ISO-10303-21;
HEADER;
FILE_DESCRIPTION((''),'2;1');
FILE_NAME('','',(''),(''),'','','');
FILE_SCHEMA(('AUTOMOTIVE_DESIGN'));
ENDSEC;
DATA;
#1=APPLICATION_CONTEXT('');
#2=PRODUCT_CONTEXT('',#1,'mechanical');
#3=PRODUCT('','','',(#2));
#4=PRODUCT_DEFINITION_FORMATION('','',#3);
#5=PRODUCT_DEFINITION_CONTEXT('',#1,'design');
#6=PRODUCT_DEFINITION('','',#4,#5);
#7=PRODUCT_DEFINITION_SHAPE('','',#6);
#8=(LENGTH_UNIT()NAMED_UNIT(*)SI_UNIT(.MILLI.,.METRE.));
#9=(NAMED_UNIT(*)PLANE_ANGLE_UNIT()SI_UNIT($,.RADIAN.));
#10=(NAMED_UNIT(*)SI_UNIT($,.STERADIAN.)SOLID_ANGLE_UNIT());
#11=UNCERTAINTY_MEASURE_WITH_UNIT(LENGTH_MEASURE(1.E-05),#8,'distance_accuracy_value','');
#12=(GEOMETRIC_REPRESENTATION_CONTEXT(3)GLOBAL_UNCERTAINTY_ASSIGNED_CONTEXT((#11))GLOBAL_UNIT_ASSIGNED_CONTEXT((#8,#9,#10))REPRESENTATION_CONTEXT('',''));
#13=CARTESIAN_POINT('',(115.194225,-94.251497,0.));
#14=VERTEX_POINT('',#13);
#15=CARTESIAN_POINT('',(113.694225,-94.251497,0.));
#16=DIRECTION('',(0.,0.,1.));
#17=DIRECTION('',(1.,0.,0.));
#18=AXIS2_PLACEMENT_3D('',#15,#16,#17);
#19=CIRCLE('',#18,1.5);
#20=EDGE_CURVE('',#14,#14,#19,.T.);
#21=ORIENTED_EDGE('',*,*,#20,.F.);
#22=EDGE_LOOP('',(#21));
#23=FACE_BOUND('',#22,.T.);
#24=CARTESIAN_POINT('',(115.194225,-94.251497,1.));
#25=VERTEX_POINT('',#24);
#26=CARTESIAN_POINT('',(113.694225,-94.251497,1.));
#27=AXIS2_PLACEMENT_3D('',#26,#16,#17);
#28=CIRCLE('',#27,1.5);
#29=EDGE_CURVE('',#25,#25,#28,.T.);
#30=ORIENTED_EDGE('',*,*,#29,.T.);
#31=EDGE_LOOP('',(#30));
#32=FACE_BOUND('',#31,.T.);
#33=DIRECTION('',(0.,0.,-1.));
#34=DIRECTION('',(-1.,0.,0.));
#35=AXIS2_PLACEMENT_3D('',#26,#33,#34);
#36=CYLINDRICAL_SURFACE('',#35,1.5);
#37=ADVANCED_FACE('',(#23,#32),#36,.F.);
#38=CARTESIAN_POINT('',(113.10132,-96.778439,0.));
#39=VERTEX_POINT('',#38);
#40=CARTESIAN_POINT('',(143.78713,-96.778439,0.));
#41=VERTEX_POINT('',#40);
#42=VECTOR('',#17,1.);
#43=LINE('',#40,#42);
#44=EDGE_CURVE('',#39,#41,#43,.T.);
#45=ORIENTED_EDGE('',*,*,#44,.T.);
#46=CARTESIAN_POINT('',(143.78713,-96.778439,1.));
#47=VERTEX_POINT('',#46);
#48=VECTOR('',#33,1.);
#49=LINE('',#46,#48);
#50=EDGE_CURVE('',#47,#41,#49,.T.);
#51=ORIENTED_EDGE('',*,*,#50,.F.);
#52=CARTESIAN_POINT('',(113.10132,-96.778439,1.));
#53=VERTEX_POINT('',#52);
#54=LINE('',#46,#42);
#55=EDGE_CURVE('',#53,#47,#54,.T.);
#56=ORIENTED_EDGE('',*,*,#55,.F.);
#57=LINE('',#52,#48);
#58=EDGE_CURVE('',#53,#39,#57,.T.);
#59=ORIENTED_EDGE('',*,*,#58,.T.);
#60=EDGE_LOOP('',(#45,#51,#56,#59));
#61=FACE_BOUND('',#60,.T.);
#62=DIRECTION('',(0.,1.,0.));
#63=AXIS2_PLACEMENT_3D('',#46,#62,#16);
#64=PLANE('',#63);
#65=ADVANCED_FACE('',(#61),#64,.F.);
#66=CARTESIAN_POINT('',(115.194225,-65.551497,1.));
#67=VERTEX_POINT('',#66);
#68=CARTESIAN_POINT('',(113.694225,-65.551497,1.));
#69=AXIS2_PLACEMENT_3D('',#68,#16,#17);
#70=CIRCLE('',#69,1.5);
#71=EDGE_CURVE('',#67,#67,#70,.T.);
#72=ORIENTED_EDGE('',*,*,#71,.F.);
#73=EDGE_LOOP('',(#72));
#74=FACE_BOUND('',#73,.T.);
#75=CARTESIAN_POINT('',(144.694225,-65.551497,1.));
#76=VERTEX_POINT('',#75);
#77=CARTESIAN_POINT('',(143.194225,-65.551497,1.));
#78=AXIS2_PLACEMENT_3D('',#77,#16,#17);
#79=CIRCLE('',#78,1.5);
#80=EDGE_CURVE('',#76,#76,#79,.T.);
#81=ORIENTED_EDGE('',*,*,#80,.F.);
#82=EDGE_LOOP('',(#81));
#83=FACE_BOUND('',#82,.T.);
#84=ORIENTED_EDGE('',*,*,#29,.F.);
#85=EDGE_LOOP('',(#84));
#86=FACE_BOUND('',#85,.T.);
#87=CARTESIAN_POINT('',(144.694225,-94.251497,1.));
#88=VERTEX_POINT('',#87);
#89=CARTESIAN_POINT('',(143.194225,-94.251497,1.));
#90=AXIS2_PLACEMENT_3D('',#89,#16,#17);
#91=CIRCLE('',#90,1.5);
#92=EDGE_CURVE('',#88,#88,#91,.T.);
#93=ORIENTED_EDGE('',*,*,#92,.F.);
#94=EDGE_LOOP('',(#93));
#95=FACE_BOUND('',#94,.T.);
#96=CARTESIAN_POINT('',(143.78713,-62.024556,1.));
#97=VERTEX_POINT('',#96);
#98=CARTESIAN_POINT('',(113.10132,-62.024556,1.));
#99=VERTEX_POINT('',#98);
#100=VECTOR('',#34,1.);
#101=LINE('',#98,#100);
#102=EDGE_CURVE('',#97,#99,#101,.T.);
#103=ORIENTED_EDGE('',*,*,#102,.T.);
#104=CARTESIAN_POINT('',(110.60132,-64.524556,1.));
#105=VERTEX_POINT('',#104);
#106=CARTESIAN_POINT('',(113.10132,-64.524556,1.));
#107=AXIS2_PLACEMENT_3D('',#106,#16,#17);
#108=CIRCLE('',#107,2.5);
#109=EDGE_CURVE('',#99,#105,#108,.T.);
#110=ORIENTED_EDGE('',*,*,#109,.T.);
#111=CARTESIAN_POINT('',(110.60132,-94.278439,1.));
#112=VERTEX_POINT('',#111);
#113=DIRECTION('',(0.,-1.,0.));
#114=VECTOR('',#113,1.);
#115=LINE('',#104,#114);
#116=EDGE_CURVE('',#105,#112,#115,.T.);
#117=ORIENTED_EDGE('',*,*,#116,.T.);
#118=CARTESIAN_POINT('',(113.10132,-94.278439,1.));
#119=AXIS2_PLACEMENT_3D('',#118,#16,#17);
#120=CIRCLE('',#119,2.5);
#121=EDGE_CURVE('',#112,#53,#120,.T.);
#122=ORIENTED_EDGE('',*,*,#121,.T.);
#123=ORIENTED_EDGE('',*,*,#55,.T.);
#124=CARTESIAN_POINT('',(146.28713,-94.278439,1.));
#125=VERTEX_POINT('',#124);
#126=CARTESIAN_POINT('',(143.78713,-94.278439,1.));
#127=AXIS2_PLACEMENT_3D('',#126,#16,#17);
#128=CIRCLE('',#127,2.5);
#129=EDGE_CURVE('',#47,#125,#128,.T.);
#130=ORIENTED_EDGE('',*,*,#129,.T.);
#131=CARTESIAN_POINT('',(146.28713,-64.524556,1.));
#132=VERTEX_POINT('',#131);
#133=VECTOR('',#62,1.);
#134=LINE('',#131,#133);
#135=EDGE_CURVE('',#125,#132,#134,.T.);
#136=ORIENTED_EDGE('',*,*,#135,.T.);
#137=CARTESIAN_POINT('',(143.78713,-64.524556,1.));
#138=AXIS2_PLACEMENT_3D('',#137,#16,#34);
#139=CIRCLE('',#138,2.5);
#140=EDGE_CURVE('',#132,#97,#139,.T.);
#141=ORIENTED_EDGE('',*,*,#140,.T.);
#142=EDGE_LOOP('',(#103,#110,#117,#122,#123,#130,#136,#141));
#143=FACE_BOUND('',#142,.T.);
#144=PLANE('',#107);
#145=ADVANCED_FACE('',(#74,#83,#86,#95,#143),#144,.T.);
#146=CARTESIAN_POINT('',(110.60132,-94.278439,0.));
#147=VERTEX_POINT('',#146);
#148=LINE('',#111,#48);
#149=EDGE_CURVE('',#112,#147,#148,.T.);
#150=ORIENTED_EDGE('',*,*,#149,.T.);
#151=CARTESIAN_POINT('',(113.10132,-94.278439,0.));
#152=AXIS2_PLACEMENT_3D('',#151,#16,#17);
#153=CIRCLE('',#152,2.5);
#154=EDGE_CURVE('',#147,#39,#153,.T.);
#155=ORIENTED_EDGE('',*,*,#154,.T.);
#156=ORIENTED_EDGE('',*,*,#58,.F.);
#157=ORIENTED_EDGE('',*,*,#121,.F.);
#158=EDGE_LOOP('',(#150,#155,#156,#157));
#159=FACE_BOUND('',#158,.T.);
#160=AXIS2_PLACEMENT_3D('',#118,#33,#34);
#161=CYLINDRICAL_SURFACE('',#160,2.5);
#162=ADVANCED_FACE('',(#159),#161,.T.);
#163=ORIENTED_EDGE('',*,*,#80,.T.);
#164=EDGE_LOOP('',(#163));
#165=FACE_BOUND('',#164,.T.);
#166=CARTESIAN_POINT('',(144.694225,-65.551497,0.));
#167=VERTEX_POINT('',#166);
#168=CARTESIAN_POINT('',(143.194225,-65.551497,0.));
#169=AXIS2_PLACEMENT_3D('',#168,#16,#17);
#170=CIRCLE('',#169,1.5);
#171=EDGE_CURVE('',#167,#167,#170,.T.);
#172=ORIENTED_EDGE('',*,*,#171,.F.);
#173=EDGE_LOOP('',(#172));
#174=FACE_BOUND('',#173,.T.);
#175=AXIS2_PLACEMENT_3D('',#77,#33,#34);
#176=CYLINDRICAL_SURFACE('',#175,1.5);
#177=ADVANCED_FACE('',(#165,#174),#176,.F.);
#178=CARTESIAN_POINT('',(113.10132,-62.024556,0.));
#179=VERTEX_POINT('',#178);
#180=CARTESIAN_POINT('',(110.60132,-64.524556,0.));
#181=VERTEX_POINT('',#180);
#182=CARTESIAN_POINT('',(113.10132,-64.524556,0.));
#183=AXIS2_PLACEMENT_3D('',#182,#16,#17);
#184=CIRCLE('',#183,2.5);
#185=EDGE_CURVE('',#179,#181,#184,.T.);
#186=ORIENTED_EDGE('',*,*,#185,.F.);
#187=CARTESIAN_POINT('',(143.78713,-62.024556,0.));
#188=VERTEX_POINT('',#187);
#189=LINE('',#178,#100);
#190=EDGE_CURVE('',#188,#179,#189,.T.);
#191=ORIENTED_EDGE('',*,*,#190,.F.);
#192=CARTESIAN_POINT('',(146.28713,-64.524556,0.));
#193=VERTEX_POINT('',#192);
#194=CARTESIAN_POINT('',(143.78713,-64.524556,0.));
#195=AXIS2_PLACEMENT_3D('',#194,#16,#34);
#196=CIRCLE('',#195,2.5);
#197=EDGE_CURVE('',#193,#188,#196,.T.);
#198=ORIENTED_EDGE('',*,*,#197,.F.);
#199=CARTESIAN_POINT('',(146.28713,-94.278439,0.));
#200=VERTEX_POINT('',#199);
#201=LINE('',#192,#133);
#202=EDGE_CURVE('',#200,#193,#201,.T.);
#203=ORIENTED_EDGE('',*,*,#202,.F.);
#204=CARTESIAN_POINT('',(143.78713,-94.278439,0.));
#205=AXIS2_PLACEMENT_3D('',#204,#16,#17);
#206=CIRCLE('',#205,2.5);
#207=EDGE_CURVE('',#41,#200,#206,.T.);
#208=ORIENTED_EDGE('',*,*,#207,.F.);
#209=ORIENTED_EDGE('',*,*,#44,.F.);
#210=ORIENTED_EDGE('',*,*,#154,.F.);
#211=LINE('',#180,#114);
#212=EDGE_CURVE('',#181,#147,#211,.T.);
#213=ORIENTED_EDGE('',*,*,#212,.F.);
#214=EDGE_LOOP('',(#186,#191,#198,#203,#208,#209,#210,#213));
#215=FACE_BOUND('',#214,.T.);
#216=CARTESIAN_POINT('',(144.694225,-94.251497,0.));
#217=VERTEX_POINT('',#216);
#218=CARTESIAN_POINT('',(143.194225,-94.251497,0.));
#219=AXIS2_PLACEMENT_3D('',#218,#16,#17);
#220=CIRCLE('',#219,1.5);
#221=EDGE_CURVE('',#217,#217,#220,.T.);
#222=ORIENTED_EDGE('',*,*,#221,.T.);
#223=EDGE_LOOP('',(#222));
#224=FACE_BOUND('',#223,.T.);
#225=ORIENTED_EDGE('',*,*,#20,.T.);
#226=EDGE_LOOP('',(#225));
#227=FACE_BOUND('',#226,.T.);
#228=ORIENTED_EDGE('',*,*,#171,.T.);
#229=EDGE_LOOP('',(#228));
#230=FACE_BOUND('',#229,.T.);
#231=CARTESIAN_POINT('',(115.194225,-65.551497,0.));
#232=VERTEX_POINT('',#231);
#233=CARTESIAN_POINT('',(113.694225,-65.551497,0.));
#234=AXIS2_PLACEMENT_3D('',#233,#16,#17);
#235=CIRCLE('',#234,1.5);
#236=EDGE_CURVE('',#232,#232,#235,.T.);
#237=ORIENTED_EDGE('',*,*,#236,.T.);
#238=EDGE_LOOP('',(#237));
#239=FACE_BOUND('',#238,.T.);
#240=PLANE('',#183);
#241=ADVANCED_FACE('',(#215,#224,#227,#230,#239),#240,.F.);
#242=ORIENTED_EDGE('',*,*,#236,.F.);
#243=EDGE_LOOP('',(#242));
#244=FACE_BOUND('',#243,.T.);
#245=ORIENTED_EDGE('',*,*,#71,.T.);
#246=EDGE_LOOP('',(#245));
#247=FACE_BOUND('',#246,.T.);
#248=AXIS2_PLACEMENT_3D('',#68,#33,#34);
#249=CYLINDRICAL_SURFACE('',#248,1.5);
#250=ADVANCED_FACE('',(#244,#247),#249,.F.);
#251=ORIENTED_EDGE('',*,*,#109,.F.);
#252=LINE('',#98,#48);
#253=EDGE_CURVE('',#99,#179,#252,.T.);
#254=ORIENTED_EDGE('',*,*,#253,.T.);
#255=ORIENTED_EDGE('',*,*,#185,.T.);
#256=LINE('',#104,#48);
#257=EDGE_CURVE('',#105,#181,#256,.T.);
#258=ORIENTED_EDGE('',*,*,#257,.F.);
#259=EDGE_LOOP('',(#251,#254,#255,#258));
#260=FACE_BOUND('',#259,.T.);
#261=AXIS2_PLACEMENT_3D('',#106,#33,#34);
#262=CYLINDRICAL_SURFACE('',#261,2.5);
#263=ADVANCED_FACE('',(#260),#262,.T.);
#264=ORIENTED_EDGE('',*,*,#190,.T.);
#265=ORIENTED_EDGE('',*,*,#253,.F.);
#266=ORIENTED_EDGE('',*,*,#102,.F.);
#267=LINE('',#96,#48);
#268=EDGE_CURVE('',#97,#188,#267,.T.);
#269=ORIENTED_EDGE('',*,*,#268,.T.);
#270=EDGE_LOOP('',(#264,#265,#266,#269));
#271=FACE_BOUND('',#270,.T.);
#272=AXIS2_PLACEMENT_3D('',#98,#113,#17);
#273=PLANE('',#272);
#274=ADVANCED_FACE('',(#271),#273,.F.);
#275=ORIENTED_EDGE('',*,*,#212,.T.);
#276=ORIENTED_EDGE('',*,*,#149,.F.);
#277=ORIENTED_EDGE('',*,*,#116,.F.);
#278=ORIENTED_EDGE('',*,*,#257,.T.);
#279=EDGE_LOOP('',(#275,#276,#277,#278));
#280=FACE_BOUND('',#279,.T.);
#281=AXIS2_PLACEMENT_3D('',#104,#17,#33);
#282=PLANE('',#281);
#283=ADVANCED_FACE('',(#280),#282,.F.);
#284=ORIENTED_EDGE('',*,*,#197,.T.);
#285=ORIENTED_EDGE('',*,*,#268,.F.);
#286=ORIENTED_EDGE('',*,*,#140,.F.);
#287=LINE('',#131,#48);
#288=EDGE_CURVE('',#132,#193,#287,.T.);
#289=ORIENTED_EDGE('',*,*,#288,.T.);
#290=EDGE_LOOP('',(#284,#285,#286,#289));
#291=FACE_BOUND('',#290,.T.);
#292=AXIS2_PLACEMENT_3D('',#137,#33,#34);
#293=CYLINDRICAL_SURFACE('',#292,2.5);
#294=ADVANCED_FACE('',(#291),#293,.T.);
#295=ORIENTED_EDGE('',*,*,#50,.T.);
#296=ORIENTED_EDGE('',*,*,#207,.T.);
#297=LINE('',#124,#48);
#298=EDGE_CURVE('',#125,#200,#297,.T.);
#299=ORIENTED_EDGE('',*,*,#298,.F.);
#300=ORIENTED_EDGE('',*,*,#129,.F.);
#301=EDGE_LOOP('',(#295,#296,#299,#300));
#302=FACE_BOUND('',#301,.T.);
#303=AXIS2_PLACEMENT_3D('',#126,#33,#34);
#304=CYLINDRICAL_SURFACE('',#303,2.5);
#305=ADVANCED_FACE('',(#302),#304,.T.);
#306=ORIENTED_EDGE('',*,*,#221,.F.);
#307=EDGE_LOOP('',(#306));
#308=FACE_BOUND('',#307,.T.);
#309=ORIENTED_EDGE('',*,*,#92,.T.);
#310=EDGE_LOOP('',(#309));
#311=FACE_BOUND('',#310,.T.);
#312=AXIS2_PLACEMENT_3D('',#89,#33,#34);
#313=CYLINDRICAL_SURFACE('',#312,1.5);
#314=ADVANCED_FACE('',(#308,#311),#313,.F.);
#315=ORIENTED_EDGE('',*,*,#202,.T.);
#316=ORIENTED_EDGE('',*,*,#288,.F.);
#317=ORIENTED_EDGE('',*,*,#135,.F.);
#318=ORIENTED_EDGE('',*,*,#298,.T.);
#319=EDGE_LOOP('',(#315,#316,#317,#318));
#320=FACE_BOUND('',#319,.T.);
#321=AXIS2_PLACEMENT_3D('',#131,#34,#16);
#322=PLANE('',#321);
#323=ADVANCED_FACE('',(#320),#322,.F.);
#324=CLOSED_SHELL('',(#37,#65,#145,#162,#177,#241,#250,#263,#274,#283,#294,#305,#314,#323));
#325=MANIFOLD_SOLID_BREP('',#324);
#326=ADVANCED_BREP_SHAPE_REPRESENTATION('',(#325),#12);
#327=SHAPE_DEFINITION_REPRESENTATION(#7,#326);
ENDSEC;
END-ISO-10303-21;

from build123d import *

# Parameters (mm, degrees)
ESQUISSE1_R        = 1.5
BOSS_EXTRU_1_DEPTH = 1


with BuildPart() as part:
    # Esquisse1 → Boss.-Extru.1 (new body)
    with BuildSketch(Plane.XY):
        with BuildLine():
            Line((113.101319879, -62.024555833), (143.787129504, -62.024555833))
            ThreePointArc((143.787129504, -62.024555833), (145.554896457, -62.75678888), (146.287129504, -64.524555833))
            Line((146.287129504, -64.524555833), (146.287129504, -94.278438772))
            ThreePointArc((146.287129504, -94.278438772), (145.554896457, -96.046205725), (143.787129504, -96.778438772))
            Line((143.787129504, -96.778438772), (113.101319879, -96.778438772))
            ThreePointArc((113.101319879, -96.778438772), (111.333552926, -96.046205725), (110.601319879, -94.278438772))
            Line((110.601319879, -94.278438772), (110.601319879, -64.524555833))
            ThreePointArc((110.601319879, -64.524555833), (111.333552926, -62.75678888), (113.101319879, -62.024555833))
        make_face()
        with Locations((143.194224692, -65.551497302)):
            Circle(ESQUISSE1_R, mode=Mode.SUBTRACT)
        with Locations((113.694224692, -65.551497302)):
            Circle(ESQUISSE1_R, mode=Mode.SUBTRACT)
        with Locations((113.694224692, -94.251497302)):
            Circle(ESQUISSE1_R, mode=Mode.SUBTRACT)
        with Locations((143.194224692, -94.251497302)):
            Circle(ESQUISSE1_R, mode=Mode.SUBTRACT)
    extrude(amount=BOSS_EXTRU_1_DEPTH)


solid = part.part
